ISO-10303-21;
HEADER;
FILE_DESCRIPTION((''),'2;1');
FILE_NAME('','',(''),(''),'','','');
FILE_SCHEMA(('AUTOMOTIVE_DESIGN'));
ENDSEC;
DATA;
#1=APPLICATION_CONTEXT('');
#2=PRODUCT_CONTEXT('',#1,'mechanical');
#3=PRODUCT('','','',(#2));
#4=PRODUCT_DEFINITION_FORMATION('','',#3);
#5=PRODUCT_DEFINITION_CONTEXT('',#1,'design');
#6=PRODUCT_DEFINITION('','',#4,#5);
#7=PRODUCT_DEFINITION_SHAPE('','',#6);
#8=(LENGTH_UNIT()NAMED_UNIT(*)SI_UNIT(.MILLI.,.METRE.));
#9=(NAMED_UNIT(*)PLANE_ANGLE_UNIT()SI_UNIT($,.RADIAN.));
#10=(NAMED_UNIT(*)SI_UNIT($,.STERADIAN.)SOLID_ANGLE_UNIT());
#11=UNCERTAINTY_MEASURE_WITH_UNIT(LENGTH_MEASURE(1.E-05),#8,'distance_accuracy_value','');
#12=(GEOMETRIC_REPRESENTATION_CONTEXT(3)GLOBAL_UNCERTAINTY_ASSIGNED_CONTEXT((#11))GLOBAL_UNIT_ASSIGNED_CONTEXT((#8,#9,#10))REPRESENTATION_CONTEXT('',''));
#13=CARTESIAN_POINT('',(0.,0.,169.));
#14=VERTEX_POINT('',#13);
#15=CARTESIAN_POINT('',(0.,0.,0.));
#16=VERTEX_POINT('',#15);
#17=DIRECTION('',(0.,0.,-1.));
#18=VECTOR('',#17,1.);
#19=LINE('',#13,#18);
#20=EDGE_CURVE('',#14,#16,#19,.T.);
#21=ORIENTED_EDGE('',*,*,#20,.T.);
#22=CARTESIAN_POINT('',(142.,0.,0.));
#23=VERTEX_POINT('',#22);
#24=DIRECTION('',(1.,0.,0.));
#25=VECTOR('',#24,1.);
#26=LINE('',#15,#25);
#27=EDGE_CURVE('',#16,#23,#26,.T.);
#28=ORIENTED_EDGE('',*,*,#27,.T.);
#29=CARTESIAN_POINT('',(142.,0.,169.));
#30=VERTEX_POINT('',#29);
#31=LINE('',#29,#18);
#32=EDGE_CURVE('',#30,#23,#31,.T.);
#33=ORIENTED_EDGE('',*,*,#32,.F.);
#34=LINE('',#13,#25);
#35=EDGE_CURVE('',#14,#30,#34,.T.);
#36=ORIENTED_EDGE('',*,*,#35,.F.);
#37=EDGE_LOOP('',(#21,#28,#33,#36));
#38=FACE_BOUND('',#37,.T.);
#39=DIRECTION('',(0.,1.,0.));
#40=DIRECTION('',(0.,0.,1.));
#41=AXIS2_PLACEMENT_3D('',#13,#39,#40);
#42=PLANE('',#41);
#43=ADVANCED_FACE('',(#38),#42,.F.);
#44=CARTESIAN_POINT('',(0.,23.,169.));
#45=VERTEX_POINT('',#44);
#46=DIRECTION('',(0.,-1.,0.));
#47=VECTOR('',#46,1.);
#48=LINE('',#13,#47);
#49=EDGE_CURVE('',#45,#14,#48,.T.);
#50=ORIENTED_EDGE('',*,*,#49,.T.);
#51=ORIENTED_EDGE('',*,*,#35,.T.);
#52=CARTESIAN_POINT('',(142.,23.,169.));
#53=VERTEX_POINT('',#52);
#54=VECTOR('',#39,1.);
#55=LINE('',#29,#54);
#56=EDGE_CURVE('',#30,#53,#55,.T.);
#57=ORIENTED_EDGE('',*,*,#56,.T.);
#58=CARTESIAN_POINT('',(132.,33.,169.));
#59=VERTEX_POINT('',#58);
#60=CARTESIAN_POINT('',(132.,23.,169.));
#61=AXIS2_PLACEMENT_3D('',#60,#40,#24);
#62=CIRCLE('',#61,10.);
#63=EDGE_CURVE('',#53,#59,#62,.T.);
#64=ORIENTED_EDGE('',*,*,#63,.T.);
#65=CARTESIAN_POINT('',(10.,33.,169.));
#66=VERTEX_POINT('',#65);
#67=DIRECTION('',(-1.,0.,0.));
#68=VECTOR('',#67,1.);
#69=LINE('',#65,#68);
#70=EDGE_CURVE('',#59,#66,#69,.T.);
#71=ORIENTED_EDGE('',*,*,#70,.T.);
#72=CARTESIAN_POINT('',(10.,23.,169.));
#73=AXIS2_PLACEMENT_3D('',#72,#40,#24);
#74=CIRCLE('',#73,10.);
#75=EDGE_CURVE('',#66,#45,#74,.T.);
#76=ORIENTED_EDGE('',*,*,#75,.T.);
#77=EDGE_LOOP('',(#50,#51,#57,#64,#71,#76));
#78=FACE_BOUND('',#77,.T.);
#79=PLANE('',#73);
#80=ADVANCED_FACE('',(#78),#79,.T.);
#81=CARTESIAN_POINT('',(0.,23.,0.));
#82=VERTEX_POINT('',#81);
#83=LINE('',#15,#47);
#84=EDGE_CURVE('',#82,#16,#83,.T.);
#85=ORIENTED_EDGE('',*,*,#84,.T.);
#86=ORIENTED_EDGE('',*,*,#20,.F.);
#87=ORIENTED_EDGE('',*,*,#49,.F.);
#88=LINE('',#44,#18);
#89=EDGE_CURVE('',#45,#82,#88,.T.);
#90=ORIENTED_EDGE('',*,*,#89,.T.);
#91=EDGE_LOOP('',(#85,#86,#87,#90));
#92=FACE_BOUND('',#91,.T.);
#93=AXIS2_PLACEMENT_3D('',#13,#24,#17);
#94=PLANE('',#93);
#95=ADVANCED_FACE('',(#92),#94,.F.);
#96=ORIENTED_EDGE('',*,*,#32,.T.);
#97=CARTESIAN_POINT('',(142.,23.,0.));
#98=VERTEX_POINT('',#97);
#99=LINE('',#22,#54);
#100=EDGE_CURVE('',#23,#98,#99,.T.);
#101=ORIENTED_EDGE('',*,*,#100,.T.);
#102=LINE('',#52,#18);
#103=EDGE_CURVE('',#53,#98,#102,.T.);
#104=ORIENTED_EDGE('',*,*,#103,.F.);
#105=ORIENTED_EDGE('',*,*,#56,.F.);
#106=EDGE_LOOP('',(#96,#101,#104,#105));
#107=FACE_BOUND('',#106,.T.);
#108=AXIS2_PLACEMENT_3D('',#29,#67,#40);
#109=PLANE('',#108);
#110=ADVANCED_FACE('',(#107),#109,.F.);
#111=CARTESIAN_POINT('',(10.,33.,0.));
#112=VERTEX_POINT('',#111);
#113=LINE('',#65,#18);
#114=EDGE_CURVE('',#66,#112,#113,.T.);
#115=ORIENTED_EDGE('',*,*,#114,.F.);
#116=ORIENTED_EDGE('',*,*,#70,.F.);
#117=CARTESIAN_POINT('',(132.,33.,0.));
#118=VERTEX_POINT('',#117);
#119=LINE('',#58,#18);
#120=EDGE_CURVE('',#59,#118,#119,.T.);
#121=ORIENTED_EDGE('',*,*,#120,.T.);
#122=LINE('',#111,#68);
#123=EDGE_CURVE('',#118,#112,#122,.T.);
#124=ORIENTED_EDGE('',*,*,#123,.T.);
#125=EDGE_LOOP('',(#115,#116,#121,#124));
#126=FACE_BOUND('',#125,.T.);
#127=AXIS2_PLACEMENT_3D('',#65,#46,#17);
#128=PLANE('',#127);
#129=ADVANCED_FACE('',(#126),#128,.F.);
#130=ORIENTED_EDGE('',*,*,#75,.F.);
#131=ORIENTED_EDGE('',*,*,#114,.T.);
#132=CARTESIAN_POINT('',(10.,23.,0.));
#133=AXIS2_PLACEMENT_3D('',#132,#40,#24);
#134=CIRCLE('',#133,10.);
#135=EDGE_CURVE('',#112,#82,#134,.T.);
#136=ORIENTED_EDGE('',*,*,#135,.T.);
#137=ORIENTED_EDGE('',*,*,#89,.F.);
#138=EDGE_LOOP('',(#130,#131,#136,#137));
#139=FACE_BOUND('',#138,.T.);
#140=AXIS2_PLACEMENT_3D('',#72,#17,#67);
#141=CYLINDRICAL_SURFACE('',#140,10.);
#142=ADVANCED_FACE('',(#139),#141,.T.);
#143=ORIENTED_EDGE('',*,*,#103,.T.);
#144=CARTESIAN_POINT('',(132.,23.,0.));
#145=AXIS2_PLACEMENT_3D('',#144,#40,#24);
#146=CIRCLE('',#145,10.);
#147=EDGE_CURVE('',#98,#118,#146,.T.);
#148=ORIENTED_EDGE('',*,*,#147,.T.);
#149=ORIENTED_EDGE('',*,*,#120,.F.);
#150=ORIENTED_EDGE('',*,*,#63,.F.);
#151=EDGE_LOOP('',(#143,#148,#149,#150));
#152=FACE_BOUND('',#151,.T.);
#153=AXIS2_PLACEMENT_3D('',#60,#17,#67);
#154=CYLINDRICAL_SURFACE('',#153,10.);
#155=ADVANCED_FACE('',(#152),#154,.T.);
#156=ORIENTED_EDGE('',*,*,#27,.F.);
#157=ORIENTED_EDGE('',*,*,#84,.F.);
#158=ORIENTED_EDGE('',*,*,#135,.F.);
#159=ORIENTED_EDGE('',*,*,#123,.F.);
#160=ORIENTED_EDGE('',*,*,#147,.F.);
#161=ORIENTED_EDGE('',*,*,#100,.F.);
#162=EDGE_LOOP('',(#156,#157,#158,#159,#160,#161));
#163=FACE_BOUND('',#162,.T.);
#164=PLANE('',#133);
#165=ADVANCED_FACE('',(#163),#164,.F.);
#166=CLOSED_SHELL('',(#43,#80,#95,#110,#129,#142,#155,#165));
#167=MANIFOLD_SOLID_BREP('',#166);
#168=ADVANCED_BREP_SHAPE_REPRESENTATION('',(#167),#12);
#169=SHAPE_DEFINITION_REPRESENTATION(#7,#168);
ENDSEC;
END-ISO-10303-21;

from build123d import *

# Parameters (mm, degrees)
EXTRUDE_1_DEPTH = 169


with BuildPart() as part:
    # 草图1 → 凸台-拉伸1 (new body)
    with BuildSketch(Plane.XY):
        with BuildLine():
            Line((0, 0), (142, 0))
            Line((142, 0), (142, 23))
            ThreePointArc((142, 23), (139.071067812, 30.071067812), (132, 33))
            Line((132, 33), (10, 33))
            ThreePointArc((10, 33), (2.928932188, 30.071067812), (0, 23))
            Line((0, 23), (0, 0))
        make_face()
    extrude(amount=EXTRUDE_1_DEPTH)


solid = part.part
